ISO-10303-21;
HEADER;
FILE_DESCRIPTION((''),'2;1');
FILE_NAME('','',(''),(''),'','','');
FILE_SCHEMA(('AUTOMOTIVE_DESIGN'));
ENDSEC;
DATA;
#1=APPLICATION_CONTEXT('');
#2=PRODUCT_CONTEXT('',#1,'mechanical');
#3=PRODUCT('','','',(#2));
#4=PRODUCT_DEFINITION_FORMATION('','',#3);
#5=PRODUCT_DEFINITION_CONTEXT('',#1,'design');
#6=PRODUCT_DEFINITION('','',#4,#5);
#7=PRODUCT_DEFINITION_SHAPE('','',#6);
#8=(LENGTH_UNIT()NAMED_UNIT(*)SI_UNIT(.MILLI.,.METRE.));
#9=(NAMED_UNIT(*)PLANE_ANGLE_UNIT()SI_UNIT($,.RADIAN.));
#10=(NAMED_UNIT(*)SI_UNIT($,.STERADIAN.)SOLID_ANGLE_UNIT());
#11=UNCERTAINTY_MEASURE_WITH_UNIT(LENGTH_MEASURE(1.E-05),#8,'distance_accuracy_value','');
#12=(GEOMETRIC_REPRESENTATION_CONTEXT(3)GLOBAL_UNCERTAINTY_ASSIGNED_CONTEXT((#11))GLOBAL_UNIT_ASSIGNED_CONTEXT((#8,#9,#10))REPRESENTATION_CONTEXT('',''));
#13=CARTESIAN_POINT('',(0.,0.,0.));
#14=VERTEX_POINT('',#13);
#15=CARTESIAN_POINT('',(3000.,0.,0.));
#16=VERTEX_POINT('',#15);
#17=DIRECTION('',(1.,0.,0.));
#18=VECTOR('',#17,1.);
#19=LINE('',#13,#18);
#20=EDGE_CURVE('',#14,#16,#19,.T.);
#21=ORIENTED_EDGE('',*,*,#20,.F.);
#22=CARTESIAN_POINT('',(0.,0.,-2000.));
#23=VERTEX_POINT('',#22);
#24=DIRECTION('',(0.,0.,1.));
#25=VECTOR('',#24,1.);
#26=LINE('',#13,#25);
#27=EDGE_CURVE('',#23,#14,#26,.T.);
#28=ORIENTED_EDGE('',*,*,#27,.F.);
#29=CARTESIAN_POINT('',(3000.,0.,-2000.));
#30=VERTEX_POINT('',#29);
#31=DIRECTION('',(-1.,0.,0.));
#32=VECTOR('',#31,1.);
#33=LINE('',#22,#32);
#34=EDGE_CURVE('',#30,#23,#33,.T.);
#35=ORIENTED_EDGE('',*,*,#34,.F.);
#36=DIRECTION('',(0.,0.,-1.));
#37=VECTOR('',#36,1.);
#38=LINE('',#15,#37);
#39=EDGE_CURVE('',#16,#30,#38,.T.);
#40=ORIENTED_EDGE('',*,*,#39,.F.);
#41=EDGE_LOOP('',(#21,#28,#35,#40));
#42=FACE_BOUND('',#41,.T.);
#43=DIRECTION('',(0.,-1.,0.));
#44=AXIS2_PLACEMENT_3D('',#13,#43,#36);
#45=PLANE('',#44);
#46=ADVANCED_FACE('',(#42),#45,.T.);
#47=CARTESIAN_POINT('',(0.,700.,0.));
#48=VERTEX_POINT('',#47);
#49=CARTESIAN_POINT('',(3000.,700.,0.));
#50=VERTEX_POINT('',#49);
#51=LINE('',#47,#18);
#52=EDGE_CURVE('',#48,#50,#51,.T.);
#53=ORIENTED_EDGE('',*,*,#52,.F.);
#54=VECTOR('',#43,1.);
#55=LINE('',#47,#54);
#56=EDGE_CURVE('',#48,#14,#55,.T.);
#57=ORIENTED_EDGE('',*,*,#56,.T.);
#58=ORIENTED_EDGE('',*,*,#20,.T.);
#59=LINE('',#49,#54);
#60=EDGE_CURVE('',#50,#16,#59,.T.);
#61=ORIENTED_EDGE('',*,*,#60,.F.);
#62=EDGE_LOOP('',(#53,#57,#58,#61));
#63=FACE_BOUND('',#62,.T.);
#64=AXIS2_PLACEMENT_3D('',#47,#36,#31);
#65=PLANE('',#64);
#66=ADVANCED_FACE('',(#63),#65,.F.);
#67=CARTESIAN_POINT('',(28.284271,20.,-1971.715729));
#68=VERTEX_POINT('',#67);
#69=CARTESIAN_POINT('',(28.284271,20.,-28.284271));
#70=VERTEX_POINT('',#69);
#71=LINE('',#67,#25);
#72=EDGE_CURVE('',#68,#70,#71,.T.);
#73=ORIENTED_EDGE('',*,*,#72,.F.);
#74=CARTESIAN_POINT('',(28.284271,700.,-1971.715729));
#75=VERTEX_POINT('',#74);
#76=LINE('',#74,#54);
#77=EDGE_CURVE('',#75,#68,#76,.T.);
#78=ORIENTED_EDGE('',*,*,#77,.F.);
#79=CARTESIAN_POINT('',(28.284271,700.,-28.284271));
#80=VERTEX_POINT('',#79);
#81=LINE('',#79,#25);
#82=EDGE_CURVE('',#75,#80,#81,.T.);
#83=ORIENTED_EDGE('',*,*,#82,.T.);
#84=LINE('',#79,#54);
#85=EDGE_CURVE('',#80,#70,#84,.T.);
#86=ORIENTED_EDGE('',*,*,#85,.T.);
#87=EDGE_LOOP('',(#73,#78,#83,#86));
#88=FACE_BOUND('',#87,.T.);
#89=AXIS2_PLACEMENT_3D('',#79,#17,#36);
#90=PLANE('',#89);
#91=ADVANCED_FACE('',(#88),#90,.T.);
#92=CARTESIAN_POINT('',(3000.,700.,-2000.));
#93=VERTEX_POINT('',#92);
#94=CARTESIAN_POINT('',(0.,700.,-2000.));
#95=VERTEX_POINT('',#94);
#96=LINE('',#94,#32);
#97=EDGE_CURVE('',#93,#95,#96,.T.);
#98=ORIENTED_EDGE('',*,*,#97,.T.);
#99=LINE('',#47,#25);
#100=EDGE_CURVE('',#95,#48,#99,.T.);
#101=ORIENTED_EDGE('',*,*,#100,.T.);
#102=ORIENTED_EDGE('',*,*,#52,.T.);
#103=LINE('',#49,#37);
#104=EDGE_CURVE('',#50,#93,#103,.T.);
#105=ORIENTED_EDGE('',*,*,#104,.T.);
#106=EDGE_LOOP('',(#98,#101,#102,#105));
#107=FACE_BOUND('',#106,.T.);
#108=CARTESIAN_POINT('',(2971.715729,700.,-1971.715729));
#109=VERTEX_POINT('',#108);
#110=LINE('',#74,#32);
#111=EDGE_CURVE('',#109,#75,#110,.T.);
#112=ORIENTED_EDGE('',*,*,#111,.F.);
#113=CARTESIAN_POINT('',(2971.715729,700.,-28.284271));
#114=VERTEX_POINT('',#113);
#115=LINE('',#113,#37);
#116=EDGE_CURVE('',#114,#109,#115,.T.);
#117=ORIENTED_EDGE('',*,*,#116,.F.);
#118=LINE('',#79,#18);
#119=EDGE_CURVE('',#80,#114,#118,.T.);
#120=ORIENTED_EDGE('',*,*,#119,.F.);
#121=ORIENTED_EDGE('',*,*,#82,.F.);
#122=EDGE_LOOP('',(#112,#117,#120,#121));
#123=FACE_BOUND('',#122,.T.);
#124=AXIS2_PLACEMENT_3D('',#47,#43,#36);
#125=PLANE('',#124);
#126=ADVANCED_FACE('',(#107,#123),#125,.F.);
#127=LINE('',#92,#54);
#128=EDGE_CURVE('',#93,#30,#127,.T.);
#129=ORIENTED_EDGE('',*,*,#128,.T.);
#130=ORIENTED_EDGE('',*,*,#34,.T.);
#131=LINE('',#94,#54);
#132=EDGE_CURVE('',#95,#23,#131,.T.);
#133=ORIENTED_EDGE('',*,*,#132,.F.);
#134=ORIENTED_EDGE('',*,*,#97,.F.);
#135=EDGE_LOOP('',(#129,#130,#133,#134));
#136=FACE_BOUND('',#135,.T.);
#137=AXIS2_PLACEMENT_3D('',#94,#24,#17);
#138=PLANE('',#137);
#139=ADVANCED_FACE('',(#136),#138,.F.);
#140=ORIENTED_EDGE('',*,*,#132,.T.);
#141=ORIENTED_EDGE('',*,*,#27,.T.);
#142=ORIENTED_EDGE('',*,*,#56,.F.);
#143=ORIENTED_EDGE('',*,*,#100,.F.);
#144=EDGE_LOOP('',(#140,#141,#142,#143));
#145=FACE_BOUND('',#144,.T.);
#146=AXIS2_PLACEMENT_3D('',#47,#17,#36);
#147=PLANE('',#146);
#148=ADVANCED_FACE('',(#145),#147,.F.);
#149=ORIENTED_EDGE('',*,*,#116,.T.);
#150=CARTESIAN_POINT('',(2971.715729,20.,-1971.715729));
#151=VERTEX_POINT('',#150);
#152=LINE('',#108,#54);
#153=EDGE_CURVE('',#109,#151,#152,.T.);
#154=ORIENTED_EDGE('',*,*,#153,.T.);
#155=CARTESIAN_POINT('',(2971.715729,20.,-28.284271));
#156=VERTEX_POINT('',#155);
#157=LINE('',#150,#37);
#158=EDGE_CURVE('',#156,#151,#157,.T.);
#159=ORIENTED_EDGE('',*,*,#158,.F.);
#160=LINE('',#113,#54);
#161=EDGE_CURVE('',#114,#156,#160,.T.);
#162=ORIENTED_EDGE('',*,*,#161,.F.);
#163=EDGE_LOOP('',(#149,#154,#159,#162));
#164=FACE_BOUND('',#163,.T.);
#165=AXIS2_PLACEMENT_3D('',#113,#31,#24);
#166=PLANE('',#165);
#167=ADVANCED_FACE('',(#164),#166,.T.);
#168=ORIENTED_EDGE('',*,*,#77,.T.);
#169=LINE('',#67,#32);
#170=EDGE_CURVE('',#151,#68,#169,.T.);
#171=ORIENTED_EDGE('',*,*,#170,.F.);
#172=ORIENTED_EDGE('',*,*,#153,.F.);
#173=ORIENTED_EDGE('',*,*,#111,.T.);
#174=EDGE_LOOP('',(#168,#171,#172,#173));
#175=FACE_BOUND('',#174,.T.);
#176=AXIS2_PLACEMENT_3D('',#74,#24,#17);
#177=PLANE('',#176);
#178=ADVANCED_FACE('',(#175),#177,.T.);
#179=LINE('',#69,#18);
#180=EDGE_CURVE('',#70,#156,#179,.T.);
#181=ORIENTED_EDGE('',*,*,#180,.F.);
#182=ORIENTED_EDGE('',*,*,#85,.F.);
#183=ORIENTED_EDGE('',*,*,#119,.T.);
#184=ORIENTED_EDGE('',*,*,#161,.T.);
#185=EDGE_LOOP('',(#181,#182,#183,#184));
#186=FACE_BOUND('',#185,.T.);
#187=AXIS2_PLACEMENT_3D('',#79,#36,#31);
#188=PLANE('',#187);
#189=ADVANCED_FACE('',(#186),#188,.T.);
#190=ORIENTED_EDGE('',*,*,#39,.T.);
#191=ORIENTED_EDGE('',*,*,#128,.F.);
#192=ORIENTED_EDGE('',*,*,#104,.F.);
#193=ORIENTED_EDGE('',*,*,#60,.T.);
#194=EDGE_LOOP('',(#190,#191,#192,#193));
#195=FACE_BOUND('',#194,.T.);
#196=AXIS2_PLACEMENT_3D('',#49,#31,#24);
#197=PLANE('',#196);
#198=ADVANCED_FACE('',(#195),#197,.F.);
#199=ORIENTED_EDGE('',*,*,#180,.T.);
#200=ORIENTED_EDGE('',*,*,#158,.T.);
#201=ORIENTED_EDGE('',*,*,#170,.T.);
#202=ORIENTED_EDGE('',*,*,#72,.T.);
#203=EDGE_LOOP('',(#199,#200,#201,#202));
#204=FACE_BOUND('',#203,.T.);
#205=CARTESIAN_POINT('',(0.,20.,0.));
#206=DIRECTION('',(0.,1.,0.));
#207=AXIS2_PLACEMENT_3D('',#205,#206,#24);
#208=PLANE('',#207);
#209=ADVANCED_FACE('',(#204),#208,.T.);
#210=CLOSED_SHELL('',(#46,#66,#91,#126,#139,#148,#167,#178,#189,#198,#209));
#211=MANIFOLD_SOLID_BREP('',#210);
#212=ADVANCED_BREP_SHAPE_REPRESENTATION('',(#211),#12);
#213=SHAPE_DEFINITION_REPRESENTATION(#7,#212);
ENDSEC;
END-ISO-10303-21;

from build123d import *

# Parameters (mm, degrees)
SKETCH1_W           = 3000
SKETCH1_H           = 2000
SKETCH1_W_2         = 2943.431457506
SKETCH1_H_2         = 1943.431457506
BOSS_EXTRUDE2_DEPTH = 700
SKETCH2_W           = 2943.431457506
SKETCH2_H           = 1943.431457506
BOSS_EXTRUDE3_DEPTH = 20


with BuildPart() as part:
    # Sketch1 → Boss-Extrude2 (new body)
    with BuildSketch(Plane(origin=(0, 0, 0), x_dir=(1, 0, 0), z_dir=(0, 1, 0))):
        with Locations((1500, 1000)):
            Rectangle(SKETCH1_W, SKETCH1_H)
        with Locations((1500, 1000)):
            Rectangle(SKETCH1_W_2, SKETCH1_H_2, mode=Mode.SUBTRACT)
    extrude(amount=BOSS_EXTRUDE2_DEPTH)

    # Sketch2 → Boss-Extrude3 (add)
    with BuildSketch(Plane(origin=(0, 0, 0), x_dir=(1, 0, 0), z_dir=(0, 1, 0))):
        with Locations((1500, 1000)):
            Rectangle(SKETCH2_W, SKETCH2_H)
    extrude(amount=BOSS_EXTRUDE3_DEPTH)


solid = part.part
